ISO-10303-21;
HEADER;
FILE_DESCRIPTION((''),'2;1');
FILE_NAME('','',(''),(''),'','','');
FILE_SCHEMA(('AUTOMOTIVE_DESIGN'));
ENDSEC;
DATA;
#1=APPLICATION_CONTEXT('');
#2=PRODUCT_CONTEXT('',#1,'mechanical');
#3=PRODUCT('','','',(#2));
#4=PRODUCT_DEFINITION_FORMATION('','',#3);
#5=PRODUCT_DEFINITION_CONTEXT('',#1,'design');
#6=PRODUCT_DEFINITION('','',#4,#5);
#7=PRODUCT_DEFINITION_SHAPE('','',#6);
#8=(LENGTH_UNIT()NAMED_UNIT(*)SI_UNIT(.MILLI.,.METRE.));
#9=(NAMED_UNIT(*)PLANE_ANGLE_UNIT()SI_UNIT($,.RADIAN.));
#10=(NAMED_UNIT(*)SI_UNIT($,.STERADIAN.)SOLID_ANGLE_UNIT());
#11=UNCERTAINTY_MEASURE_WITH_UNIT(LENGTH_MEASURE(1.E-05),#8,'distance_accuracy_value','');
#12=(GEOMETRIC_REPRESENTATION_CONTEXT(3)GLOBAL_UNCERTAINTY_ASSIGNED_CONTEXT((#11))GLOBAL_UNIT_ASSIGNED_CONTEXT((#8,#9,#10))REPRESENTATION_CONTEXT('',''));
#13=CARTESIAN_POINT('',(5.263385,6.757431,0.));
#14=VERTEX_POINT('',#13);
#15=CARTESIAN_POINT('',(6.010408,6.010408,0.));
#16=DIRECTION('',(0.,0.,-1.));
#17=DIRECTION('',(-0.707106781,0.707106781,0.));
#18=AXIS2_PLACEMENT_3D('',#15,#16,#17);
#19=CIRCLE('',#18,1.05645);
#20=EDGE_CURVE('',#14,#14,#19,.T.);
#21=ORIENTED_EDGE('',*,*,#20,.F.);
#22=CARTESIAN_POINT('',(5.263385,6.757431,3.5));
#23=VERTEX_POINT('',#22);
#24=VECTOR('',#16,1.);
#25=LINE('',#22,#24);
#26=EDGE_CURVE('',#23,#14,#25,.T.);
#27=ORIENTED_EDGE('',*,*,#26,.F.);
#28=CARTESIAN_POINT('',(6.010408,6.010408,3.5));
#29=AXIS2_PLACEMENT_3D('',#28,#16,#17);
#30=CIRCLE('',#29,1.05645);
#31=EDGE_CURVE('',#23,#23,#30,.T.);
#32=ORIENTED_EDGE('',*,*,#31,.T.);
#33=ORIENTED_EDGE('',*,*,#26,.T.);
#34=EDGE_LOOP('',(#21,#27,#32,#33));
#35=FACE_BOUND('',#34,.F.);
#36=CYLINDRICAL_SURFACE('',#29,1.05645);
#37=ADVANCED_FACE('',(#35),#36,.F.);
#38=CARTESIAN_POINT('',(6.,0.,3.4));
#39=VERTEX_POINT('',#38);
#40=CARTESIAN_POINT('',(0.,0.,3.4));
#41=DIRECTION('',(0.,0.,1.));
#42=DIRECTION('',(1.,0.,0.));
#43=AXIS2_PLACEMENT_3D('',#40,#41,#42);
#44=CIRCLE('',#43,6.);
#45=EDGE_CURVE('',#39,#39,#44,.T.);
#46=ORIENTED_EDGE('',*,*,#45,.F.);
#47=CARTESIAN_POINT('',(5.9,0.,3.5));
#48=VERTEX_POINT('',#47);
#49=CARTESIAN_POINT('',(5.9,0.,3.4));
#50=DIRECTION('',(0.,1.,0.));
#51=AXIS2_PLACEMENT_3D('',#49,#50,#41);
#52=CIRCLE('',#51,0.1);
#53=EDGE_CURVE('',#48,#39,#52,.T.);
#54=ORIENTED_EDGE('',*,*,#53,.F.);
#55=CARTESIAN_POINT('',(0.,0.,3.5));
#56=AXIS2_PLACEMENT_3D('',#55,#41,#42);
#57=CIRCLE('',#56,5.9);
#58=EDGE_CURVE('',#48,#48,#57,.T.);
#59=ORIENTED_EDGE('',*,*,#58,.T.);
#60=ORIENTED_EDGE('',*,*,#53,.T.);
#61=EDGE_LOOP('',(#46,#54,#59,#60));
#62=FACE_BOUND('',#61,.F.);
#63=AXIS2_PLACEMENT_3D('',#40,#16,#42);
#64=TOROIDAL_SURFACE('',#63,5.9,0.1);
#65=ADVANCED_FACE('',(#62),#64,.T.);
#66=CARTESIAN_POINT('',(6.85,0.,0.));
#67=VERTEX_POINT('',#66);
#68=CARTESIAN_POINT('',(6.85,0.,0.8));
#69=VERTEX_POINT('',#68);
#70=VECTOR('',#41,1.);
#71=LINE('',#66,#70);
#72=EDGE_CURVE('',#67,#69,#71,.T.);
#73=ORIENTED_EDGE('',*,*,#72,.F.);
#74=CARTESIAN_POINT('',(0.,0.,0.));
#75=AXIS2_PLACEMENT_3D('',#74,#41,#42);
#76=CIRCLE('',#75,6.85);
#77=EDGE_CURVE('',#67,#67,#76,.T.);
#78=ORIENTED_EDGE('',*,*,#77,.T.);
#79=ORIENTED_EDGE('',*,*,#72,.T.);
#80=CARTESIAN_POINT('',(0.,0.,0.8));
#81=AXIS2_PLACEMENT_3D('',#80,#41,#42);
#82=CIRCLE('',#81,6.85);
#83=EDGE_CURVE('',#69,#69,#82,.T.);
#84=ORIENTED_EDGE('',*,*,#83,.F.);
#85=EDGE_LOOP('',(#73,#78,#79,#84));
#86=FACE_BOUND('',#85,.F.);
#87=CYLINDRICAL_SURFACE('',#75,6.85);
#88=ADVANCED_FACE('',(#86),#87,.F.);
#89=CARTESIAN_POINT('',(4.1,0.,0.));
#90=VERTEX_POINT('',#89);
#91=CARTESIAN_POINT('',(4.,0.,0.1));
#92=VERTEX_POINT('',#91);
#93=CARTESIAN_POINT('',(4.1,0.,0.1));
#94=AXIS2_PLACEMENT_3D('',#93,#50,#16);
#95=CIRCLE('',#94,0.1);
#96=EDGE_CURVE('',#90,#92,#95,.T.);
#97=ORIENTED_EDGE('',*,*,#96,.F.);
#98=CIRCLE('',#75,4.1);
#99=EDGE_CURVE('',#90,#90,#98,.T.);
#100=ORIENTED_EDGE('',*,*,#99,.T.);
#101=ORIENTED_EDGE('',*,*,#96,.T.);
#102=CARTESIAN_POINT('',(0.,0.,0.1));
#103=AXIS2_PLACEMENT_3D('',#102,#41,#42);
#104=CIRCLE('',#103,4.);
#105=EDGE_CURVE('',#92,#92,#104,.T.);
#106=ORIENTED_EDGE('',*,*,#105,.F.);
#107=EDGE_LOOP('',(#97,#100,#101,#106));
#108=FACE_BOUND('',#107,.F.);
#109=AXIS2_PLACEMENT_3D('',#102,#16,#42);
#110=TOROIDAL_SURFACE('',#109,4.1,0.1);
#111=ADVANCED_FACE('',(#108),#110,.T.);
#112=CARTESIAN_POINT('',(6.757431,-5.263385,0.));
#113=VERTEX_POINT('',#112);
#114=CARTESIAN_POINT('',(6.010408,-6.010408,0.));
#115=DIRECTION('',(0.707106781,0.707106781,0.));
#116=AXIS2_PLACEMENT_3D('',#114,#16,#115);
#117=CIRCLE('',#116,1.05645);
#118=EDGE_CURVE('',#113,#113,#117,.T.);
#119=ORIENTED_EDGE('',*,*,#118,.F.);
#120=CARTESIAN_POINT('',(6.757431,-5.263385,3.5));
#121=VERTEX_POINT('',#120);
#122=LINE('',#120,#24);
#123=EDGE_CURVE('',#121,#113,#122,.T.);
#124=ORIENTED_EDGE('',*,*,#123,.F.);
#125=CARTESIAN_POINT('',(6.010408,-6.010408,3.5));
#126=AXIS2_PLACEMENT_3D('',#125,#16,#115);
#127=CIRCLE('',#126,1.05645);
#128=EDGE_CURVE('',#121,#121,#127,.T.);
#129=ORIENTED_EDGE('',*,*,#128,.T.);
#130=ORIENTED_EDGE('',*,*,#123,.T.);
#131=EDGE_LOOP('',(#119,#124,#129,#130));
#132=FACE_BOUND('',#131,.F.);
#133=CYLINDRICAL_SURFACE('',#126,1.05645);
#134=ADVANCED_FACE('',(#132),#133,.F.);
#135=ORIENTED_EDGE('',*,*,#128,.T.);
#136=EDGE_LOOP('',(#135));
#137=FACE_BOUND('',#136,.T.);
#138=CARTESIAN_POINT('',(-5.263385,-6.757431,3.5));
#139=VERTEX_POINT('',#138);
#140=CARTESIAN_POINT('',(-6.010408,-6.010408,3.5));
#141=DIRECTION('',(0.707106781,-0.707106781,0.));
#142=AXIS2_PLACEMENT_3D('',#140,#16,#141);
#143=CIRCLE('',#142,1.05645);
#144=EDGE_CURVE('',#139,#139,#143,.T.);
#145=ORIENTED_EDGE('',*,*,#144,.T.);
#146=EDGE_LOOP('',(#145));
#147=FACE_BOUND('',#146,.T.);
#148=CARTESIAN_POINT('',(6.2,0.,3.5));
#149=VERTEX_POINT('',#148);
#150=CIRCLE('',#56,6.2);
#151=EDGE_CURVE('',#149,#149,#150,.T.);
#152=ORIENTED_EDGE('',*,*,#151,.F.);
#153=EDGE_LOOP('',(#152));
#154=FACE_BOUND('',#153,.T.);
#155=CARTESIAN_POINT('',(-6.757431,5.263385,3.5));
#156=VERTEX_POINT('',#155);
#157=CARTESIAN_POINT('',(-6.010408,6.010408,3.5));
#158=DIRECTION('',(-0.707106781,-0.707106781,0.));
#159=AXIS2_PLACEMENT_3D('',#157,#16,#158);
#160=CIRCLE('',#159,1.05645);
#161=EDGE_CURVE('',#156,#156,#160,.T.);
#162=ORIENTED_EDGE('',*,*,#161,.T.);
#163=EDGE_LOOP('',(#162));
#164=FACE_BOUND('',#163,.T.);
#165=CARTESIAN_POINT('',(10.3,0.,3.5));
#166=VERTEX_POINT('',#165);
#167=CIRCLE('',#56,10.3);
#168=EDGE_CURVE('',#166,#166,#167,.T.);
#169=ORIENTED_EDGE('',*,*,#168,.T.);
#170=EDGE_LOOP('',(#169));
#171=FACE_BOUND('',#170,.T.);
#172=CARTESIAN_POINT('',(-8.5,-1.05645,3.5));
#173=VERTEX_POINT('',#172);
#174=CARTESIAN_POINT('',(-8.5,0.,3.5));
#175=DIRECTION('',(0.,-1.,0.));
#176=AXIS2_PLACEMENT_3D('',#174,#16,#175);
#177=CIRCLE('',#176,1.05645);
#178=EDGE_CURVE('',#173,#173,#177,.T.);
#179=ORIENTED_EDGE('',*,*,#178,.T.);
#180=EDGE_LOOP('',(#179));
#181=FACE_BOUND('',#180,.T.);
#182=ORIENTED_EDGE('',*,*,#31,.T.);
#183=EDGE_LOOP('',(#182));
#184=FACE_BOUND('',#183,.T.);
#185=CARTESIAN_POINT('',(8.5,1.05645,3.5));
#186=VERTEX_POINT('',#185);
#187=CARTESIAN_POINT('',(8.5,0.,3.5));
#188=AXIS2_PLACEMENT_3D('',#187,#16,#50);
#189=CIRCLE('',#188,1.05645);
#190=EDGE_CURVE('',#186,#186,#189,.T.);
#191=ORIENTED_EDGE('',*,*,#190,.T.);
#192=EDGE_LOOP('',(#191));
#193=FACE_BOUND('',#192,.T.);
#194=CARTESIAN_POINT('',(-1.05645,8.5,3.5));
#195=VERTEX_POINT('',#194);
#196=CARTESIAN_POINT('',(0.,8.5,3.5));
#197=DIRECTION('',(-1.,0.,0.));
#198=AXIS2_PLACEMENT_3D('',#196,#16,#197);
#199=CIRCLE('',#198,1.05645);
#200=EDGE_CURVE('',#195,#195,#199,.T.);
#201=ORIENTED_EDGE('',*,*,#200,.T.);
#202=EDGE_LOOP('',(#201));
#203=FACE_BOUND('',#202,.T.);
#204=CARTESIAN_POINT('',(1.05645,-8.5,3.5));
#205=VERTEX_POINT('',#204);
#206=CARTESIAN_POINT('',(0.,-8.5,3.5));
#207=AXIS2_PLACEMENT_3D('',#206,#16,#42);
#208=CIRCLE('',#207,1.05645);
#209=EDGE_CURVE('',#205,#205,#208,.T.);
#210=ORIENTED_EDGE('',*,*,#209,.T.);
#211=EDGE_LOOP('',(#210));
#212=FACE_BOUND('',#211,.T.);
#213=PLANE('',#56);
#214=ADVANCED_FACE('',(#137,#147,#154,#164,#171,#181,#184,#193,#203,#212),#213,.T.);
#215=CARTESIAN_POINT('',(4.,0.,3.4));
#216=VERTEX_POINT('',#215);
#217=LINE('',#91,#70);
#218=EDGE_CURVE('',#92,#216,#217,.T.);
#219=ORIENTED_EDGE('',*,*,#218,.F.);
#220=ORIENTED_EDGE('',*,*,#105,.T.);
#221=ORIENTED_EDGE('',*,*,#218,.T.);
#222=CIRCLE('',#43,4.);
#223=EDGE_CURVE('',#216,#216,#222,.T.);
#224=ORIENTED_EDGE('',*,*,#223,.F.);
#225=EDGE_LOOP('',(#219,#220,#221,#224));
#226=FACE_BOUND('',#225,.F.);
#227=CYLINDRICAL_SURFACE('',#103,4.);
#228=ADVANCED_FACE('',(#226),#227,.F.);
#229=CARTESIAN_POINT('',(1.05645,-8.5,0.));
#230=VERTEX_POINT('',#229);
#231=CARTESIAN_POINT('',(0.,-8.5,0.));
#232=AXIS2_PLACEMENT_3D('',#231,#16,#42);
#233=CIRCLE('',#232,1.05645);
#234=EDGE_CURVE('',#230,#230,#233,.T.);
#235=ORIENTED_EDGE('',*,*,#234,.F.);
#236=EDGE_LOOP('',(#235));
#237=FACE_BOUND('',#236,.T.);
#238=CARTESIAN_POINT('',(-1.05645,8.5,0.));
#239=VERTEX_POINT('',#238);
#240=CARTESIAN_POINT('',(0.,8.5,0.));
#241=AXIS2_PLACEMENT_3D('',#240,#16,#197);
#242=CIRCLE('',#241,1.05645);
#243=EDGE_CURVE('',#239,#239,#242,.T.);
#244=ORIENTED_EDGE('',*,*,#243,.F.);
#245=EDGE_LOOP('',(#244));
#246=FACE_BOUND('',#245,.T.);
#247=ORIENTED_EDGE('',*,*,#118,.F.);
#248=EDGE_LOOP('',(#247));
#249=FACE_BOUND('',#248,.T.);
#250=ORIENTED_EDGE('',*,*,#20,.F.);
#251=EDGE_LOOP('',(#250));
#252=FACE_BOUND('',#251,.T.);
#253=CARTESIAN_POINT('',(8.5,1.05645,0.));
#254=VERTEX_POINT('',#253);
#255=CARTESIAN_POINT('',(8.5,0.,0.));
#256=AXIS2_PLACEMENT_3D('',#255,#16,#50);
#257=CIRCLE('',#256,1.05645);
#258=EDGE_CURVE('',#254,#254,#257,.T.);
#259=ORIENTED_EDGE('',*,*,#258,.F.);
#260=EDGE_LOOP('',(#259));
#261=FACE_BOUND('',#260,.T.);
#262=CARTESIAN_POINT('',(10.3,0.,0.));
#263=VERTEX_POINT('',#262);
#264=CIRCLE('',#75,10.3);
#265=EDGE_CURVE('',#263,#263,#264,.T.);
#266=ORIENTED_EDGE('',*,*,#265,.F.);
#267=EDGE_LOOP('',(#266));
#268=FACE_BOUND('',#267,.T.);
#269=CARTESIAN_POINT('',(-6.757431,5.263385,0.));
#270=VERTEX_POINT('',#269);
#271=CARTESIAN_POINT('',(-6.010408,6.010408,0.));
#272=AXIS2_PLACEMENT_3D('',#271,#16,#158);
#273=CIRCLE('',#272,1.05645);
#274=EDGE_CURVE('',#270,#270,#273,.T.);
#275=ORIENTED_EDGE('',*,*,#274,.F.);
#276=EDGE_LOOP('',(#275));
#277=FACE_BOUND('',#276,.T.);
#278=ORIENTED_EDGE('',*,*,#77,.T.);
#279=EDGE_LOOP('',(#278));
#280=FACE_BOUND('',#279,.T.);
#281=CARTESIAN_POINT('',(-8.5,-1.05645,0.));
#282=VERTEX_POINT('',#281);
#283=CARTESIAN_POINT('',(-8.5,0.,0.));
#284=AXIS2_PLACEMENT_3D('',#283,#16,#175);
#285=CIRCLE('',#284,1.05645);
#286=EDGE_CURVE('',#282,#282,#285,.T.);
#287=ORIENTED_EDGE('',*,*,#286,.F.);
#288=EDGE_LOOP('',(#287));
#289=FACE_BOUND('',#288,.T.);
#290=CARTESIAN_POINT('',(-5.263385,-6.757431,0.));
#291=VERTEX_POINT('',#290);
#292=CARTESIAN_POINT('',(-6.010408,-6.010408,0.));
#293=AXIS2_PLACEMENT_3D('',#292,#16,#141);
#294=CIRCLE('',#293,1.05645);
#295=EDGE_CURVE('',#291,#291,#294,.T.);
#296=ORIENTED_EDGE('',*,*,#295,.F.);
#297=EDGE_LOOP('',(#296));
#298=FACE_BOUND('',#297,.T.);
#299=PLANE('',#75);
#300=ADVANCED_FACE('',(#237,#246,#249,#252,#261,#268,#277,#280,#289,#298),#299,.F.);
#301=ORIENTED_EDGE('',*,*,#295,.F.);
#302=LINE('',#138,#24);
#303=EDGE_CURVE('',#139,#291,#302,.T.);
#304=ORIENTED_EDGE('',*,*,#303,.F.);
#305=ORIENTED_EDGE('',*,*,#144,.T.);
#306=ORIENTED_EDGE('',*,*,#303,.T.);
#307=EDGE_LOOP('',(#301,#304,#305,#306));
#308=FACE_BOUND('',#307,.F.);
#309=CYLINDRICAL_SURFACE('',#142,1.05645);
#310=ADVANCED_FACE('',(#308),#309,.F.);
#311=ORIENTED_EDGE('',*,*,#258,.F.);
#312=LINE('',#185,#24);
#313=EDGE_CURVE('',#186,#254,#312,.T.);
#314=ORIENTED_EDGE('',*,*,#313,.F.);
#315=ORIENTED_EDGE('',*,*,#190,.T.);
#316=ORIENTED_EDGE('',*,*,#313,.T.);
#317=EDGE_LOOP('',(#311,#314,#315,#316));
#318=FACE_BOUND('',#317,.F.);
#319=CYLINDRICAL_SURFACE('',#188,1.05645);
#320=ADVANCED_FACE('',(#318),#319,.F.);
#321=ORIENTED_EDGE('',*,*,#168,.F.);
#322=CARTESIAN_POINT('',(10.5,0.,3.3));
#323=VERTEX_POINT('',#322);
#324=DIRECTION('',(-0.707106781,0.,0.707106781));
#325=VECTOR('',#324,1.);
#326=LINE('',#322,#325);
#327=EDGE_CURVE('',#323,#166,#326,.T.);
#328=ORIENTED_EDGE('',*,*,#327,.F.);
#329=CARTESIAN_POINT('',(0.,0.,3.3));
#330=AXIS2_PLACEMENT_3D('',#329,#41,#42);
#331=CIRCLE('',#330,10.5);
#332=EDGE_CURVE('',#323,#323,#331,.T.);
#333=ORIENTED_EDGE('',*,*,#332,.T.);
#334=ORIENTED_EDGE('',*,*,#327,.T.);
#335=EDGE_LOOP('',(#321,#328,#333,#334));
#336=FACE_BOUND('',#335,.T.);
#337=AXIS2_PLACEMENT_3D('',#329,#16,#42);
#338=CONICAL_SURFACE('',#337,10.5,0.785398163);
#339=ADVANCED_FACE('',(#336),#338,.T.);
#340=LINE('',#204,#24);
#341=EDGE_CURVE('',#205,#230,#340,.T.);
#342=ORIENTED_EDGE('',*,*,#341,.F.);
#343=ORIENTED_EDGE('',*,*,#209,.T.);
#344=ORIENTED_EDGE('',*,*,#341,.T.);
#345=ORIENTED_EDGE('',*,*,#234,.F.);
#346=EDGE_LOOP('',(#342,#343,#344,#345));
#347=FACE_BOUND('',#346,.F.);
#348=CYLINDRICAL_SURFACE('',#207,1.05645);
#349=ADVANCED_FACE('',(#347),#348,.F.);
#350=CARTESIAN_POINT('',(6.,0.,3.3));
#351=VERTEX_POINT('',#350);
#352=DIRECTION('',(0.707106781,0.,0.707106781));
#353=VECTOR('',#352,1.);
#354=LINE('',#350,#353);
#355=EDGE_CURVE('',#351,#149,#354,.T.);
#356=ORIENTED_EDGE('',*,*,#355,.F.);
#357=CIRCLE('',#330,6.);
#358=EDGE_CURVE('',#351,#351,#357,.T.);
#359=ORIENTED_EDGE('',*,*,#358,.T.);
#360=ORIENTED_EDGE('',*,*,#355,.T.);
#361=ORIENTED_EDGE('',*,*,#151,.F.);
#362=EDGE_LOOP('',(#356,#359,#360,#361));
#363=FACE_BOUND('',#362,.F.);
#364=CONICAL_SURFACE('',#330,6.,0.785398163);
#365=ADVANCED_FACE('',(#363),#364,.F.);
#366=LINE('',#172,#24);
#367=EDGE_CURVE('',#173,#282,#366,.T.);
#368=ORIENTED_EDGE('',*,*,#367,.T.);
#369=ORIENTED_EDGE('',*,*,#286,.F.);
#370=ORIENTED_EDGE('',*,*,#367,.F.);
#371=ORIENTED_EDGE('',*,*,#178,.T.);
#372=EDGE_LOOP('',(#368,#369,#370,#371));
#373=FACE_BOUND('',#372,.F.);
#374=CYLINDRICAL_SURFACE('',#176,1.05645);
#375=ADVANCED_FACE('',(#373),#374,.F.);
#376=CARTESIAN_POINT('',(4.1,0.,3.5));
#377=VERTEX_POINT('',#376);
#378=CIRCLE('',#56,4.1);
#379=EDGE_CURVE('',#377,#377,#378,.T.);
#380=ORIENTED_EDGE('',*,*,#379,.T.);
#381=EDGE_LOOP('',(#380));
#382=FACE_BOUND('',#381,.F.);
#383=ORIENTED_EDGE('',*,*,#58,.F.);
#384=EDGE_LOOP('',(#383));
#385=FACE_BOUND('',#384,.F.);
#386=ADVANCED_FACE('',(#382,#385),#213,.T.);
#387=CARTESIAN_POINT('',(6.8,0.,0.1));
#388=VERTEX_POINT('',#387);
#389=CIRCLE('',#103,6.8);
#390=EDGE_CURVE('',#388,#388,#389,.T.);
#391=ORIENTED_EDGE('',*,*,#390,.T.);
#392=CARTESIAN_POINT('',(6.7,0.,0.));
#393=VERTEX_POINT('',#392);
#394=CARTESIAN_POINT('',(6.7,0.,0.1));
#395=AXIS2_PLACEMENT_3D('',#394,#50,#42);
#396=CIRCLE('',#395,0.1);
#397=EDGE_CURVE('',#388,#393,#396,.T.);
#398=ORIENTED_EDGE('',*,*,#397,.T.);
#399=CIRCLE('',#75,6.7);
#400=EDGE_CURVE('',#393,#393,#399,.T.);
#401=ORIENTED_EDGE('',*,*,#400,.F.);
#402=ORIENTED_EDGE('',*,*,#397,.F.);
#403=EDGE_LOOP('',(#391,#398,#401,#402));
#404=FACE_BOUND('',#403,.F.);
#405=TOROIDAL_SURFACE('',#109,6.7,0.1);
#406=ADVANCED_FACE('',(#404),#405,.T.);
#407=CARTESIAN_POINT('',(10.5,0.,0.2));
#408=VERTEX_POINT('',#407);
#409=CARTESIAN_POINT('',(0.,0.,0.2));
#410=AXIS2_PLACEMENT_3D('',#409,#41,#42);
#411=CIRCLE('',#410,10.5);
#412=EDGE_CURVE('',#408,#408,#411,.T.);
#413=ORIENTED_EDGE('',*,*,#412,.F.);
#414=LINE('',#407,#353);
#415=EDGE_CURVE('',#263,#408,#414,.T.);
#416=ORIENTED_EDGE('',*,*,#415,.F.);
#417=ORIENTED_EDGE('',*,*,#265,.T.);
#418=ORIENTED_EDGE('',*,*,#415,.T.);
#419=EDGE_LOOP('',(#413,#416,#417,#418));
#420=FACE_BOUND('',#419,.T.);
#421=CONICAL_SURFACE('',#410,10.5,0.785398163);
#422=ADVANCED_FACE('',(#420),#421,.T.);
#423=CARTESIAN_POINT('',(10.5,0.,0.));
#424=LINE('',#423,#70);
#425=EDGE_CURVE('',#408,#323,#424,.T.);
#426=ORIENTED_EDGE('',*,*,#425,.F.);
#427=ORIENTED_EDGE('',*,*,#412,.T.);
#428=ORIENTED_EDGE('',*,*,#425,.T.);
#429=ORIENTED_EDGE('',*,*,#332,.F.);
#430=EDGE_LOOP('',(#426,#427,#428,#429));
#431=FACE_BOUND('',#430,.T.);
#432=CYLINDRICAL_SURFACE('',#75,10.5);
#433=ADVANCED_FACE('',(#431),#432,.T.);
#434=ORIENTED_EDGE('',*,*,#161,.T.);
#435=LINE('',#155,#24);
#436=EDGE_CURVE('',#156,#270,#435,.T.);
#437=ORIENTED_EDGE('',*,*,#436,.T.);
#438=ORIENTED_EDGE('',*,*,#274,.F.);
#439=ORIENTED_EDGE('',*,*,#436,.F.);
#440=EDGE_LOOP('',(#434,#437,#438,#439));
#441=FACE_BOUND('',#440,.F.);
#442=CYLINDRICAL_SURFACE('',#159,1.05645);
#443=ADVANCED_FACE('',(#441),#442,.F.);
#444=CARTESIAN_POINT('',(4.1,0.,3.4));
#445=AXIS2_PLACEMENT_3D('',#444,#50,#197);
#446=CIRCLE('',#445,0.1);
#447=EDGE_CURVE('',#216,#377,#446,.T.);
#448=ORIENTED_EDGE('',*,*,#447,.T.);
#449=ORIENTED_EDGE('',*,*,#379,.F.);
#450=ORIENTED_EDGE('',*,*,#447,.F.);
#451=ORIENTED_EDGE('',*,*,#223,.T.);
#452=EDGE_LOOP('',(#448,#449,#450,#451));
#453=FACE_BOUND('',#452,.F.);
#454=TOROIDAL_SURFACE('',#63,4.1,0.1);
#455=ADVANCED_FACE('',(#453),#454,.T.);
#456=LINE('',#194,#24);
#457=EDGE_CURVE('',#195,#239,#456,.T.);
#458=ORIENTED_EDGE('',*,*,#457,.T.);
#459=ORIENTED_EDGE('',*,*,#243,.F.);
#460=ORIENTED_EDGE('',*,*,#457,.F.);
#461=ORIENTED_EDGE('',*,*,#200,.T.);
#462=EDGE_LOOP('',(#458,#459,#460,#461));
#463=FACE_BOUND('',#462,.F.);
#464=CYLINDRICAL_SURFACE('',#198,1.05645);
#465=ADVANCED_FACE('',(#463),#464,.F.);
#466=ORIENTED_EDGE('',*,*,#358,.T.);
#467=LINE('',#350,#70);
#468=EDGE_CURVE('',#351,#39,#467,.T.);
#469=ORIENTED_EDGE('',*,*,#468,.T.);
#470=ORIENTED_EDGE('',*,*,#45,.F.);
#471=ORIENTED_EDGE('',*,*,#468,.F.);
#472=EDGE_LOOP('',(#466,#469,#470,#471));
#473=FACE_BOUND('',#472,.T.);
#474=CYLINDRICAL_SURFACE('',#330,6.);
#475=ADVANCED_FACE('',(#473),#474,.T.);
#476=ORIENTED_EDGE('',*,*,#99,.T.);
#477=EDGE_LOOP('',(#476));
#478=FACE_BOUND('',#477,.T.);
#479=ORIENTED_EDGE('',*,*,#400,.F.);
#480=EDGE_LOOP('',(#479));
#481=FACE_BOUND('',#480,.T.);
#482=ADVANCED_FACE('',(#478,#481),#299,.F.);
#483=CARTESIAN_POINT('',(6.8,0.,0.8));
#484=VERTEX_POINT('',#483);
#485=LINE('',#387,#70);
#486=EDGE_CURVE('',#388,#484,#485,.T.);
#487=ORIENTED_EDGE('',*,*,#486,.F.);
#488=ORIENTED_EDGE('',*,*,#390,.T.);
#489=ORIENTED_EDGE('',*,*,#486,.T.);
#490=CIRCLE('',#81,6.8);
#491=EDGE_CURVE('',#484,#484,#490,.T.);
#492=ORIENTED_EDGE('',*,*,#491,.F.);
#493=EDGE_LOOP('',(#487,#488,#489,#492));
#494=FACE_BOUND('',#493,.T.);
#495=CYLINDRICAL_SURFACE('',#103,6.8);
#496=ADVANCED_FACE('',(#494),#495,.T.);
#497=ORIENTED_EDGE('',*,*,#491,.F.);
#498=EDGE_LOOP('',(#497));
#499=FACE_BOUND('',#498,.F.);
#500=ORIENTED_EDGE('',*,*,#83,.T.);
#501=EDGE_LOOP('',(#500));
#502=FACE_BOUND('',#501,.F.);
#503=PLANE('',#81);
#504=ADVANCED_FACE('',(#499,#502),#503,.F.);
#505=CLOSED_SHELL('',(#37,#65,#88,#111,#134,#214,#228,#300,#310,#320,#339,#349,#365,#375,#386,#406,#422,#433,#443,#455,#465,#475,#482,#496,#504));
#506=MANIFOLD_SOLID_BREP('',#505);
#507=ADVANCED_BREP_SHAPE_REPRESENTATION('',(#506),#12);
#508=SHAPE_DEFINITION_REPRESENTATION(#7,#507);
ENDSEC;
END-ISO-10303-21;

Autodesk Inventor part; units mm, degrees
ref_plane "YZ Plane" through (0, 0, 0) normal (1, 0, 0) x (0, 1, 0)
ref_plane "XZ Plane" through (0, 0, 0) normal (0, 1, 0) x (-1, 0, 0)
ref_plane "XY Plane" through (0, 0, 0) normal (0, 0, 1) x (1, 0, 0)
sketch "スケッチ1" plane through (0, 0, 0) normal (0, 1, 0) x (-1, 0, 0)
  line L0 (-6.2, 0) -> (-10.5, 0)
  line L1 (-10.5, 0) -> (-10.5, 3.5)
  line L2 (-10.5, 3.5) -> (-6.85, 3.5)
  line L3 (-6.85, 3.5) -> (-6.85, 2.7)
  line L4 (-6.85, 2.7) -> (-6.8, 2.7)
  line L5 (-6.8, 3.4) -> (-6.8, 2.7)
  line L6 (-6, 0.2) -> (-6, 0.1)
  line L7 (-5.9, 0) -> (-4.1, 0)
  line L8 (-4, 0.1) -> (-4, 3.4)
  line L9 (-4.1, 3.5) -> (-6.7, 3.5)
  line L10 (0, -0.729) -> (0, 4.229) projected
  line L11 (-6, 0.2) -> (-6.2, 0)
  arc A0 (-6.7, 3.5) -> (-6.8, 3.4) centre (-6.7, 3.4) ccw
  arc A1 (-4, 3.4) -> (-4.1, 3.5) centre (-4.1, 3.4) ccw
  arc A2 (-4.1, 0) -> (-4, 0.1) centre (-4.1, 0.1) ccw
  arc A3 (-6, 0.1) -> (-5.9, 0) centre (-5.9, 0.1) ccw
  line L12 (2.1, 0) -> (-12.6, 0) projected
  line L13 (-10.5, 1.75) -> (-4, 1.75) construction
  line L14 (-6.85, 0) -> (-6.85, 0.8)
  line L15 (-6.85, 0.8) -> (-6.8, 0.8)
  line L16 (-6.8, 0.1) -> (-6.8, 0.8)
  line L17 (-6, 3.3) -> (-6, 3.4)
  line L18 (-6, 3.3) -> (-6.2, 3.5)
  arc A4 (-6.8, 0.1) -> (-6.7, 0) centre (-6.7, 0.1) ccw
  arc A5 (-5.9, 3.5) -> (-6, 3.4) centre (-5.9, 3.4) ccw
  line L19 (-6.2, 0) -> (-5.9, 0)
  line L20 (-6.7, 3.5) -> (-6.85, 3.5)
  point P0 (0, 0)
  point P1 (-6.8, 3.5)
  point P2 (-6, 0)
  point P3 (-4, 0)
  point P4 (-4, 3.5)
  point P5 (-5.9, 3.5)
  point P6 (-6.7, 0)
  dimension "d0" = 8
  dimension "d1" = 21
  dimension "d2" = 0.8
  dimension "d3" = 0.1
  dimension "d4" = 13.7
  dimension "d5" = 13.6
  dimension "d6" = 0.2
  dimension "d7" = 0.2
  dimension "d8" = 12
  dimension "d9" = 3.5
revolve "回転1" add sketch "スケッチ1" angle 360 about axis through (0, 0, -10) along (0, 0, 1) contours L0 A4 L16 L15 L14 L1 L2 L3 L4 L5 A0 L9 L18 L17 A5 A1 L8 A2 L7 A3 L6 L11 | L11 L6 A3 L12 | L20 A0 L5 L4 L3
sketch "スケッチ2" plane through (0, 0, 3.5) normal (0, 0, 1) x (1, 0, 0)
  line L0 (-14.7, 0) -> (14.7, 0) projected
  point P0 (0, 0)
  point P1 (-8.5, 0)
  dimension "d12" = 8.5
hole "穴1" at (-8.5, 0, 3.5) direction (0, 0, -1) diameter 2.1129 end through all thread size "M2.6x0.45" class "6H" standard "ISO Metric profile"
pattern_circular "円形状パターン1" count 8 over 360 about axis through (0, 0, -10) along (0, 0, 1) of "穴1"
chamfer "面取り1" distance 0.2 angle 45 2 edges at (-10.5, 0, 3.5) (-10.5, 0, 0)
properties part number "FreeHorn" material "アルミニウム 2014-T4"
